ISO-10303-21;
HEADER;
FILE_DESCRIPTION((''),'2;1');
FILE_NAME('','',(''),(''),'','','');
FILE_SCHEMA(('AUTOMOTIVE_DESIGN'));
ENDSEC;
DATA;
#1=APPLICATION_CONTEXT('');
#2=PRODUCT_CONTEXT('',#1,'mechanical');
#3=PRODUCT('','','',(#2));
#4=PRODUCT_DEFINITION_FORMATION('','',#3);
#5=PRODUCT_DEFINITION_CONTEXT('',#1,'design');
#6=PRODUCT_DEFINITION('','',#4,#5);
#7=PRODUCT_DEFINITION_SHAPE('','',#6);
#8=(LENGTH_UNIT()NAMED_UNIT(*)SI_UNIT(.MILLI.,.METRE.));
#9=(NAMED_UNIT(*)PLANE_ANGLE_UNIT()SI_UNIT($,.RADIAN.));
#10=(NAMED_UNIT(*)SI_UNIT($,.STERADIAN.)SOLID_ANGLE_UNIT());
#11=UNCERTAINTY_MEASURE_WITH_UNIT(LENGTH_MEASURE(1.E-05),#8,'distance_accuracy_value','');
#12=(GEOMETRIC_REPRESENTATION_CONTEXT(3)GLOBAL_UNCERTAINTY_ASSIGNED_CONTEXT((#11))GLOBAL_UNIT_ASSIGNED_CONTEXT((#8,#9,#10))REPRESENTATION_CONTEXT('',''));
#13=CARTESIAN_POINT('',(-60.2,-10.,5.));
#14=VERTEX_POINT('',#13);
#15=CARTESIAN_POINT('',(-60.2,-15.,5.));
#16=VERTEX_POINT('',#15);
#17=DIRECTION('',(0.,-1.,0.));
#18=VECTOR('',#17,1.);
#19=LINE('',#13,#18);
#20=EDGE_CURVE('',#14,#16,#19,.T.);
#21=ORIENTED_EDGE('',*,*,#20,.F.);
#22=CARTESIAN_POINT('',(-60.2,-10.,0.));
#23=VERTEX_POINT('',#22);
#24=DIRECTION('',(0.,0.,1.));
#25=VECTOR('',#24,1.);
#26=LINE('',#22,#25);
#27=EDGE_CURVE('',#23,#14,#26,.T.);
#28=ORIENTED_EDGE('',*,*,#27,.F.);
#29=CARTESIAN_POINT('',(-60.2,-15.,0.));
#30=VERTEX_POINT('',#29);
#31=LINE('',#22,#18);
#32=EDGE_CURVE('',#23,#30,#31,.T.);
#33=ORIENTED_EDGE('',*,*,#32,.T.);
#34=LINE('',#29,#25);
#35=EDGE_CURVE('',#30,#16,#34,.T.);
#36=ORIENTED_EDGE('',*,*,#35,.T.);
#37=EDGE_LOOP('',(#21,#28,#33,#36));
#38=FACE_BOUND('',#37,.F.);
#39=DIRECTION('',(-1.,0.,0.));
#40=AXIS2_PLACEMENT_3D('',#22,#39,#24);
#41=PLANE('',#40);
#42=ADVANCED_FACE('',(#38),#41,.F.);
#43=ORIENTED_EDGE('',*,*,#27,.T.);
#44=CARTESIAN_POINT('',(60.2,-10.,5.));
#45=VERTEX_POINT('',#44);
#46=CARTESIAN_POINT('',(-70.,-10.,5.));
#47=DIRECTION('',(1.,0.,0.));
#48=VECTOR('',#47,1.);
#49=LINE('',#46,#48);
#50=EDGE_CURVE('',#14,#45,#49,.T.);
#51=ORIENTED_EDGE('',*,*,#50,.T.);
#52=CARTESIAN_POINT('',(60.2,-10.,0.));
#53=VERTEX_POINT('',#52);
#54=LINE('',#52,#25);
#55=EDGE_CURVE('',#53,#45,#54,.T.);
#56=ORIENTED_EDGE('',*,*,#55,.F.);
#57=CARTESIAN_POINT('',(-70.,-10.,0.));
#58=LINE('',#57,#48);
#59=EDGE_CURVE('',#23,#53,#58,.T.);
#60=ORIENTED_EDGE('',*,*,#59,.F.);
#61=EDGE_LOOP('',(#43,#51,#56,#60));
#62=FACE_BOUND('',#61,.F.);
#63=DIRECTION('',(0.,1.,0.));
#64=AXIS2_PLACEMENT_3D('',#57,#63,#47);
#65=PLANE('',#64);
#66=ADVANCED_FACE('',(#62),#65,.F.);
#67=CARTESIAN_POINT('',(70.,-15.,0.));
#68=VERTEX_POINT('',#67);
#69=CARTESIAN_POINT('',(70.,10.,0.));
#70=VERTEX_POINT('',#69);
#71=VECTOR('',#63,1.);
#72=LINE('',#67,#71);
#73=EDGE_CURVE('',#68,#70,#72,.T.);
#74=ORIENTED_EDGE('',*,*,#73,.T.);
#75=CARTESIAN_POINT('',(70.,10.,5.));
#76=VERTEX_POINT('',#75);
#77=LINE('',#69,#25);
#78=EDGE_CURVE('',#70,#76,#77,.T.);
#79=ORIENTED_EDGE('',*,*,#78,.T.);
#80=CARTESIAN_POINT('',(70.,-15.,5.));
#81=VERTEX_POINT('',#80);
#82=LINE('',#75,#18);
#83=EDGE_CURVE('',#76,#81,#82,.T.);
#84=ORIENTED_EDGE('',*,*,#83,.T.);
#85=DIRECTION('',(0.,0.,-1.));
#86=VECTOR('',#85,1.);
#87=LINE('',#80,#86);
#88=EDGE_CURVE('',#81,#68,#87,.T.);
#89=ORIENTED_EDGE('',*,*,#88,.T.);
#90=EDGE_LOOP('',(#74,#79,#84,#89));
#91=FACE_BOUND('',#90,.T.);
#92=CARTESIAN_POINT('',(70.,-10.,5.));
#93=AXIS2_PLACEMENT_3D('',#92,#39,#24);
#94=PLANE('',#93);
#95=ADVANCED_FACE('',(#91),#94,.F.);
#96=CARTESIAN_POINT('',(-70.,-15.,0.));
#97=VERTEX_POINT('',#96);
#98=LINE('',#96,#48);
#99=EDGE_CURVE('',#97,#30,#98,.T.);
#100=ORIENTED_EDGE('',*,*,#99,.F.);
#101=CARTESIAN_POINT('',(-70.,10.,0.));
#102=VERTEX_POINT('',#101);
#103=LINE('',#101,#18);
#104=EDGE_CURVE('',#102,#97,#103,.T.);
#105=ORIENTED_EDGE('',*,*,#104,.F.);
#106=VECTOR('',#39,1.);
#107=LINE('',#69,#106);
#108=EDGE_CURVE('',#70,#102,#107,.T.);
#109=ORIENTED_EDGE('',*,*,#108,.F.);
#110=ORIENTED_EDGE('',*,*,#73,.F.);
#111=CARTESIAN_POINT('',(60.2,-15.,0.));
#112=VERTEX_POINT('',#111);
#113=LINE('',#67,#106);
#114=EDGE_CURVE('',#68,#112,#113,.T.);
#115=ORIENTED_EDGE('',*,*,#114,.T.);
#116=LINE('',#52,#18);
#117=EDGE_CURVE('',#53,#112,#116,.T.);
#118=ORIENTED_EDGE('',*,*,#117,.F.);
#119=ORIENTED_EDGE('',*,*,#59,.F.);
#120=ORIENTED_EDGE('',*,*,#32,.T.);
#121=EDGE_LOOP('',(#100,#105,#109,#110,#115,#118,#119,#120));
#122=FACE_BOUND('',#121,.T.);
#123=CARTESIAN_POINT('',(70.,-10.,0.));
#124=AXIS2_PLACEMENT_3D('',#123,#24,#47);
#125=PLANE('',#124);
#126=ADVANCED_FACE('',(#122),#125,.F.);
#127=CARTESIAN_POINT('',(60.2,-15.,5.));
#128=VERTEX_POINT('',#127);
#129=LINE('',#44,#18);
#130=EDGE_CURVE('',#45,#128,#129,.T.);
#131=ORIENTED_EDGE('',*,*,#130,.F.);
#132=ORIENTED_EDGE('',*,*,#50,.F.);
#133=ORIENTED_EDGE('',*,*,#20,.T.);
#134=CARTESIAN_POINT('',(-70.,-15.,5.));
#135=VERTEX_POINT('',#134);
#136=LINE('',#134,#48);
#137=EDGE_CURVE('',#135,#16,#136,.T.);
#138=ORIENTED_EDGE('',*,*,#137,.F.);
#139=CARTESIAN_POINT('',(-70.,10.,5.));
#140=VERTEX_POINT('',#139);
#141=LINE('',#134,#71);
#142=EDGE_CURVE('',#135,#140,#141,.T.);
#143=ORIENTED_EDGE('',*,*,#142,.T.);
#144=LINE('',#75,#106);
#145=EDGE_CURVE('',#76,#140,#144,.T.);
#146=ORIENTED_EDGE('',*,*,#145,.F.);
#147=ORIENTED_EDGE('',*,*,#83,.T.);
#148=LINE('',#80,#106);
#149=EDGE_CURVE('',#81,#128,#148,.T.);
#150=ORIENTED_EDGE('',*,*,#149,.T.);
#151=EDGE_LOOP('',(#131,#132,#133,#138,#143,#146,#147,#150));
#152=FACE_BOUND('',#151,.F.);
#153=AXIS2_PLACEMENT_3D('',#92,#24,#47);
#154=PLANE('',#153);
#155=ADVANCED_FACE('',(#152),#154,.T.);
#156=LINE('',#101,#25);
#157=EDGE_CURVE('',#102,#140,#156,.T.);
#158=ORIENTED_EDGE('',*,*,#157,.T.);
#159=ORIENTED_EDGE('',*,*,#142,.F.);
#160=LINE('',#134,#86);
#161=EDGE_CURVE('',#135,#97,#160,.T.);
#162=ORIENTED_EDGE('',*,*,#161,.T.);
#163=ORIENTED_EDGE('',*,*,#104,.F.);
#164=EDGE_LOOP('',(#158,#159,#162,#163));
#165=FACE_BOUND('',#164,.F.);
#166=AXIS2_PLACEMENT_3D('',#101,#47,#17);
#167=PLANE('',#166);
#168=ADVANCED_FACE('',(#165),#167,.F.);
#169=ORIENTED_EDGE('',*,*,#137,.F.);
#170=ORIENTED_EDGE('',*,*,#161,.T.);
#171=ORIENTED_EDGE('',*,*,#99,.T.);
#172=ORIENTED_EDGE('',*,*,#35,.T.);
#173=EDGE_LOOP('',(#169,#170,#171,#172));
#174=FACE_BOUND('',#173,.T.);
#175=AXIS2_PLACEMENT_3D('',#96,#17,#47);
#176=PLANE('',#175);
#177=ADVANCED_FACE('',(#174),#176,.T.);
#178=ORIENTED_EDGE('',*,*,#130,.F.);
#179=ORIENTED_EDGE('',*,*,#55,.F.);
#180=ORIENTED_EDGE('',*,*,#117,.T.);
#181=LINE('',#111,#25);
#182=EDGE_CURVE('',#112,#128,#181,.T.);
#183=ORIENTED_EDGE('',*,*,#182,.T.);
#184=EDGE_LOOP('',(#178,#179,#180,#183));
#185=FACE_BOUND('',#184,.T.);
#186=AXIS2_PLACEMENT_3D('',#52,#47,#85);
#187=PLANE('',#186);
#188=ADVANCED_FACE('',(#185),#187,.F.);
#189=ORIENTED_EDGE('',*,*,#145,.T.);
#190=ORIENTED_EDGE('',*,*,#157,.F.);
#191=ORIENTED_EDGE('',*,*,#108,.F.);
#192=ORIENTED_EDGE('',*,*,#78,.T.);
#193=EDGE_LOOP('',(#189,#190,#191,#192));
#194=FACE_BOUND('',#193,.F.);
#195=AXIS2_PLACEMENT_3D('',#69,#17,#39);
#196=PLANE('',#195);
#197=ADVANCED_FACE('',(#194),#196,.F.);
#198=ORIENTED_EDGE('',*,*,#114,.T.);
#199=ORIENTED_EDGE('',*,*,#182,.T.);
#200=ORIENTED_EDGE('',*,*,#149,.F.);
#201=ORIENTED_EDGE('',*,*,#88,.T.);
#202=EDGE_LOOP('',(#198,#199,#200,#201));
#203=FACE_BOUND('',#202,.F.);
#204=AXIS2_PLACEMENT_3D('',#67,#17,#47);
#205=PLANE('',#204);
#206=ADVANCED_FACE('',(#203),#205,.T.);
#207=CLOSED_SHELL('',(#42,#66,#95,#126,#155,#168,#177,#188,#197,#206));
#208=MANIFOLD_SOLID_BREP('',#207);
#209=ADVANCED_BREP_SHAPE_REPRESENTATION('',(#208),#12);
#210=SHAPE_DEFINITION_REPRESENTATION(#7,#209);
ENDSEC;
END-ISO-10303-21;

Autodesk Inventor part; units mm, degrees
ref_plane "YZ Plane" through (0, 0, 0) normal (1, 0, 0) x (0, 1, 0)
ref_plane "XZ Plane" through (0, 0, 0) normal (0, 1, 0) x (-1, 0, 0)
ref_plane "XY Plane" through (0, 0, 0) normal (0, 0, 1) x (1, 0, 0)
sketch "Sketch1" plane through (0, 0, 0) normal (0, 0, 1) x (1, 0, 0)
  line L0 (-70, -10) -> (70, -10)
  line L1 (70, -10) -> (70, 10)
  line L2 (70, 10) -> (-70, 10)
  line L3 (-70, 10) -> (-70, -10)
  point P0 (0, 0)
  dimension "width" = 140
  dimension "d1" = 70
  dimension "d2" = 20
  dimension "d3" = 10
extrude "Extrusion1" add sketch "Sketch1" along normal blind 5
sketch "Sketch3" plane through (-70, -10, 0) normal (0, -1, 0) x (1, 0, 0)
  line L0 (0, 0) -> (140, 0) projected
  line L1 (0, 5) -> (140, 5) projected
  line L2 (0, 0) -> (9.8, 0)
  line L3 (9.8, 0) -> (9.8, 5)
  line L4 (9.8, 5) -> (0, 5)
  line L5 (0, 5) -> (0, 0)
  point P0 (70, 0)
  dimension "d28" = 9.8
extrude "Extrusion3" add sketch "Sketch3" along normal blind 5
mirror "Mirror1" about plane through (0, 0, 0) normal (1, 0, 0) of "Extrusion3"
equation "\"d1\" = 0.5 * width"
equation "\"d3\" = 0.5 * d2"
properties part number "EBF_004.1-back-plate_cup-holder"
